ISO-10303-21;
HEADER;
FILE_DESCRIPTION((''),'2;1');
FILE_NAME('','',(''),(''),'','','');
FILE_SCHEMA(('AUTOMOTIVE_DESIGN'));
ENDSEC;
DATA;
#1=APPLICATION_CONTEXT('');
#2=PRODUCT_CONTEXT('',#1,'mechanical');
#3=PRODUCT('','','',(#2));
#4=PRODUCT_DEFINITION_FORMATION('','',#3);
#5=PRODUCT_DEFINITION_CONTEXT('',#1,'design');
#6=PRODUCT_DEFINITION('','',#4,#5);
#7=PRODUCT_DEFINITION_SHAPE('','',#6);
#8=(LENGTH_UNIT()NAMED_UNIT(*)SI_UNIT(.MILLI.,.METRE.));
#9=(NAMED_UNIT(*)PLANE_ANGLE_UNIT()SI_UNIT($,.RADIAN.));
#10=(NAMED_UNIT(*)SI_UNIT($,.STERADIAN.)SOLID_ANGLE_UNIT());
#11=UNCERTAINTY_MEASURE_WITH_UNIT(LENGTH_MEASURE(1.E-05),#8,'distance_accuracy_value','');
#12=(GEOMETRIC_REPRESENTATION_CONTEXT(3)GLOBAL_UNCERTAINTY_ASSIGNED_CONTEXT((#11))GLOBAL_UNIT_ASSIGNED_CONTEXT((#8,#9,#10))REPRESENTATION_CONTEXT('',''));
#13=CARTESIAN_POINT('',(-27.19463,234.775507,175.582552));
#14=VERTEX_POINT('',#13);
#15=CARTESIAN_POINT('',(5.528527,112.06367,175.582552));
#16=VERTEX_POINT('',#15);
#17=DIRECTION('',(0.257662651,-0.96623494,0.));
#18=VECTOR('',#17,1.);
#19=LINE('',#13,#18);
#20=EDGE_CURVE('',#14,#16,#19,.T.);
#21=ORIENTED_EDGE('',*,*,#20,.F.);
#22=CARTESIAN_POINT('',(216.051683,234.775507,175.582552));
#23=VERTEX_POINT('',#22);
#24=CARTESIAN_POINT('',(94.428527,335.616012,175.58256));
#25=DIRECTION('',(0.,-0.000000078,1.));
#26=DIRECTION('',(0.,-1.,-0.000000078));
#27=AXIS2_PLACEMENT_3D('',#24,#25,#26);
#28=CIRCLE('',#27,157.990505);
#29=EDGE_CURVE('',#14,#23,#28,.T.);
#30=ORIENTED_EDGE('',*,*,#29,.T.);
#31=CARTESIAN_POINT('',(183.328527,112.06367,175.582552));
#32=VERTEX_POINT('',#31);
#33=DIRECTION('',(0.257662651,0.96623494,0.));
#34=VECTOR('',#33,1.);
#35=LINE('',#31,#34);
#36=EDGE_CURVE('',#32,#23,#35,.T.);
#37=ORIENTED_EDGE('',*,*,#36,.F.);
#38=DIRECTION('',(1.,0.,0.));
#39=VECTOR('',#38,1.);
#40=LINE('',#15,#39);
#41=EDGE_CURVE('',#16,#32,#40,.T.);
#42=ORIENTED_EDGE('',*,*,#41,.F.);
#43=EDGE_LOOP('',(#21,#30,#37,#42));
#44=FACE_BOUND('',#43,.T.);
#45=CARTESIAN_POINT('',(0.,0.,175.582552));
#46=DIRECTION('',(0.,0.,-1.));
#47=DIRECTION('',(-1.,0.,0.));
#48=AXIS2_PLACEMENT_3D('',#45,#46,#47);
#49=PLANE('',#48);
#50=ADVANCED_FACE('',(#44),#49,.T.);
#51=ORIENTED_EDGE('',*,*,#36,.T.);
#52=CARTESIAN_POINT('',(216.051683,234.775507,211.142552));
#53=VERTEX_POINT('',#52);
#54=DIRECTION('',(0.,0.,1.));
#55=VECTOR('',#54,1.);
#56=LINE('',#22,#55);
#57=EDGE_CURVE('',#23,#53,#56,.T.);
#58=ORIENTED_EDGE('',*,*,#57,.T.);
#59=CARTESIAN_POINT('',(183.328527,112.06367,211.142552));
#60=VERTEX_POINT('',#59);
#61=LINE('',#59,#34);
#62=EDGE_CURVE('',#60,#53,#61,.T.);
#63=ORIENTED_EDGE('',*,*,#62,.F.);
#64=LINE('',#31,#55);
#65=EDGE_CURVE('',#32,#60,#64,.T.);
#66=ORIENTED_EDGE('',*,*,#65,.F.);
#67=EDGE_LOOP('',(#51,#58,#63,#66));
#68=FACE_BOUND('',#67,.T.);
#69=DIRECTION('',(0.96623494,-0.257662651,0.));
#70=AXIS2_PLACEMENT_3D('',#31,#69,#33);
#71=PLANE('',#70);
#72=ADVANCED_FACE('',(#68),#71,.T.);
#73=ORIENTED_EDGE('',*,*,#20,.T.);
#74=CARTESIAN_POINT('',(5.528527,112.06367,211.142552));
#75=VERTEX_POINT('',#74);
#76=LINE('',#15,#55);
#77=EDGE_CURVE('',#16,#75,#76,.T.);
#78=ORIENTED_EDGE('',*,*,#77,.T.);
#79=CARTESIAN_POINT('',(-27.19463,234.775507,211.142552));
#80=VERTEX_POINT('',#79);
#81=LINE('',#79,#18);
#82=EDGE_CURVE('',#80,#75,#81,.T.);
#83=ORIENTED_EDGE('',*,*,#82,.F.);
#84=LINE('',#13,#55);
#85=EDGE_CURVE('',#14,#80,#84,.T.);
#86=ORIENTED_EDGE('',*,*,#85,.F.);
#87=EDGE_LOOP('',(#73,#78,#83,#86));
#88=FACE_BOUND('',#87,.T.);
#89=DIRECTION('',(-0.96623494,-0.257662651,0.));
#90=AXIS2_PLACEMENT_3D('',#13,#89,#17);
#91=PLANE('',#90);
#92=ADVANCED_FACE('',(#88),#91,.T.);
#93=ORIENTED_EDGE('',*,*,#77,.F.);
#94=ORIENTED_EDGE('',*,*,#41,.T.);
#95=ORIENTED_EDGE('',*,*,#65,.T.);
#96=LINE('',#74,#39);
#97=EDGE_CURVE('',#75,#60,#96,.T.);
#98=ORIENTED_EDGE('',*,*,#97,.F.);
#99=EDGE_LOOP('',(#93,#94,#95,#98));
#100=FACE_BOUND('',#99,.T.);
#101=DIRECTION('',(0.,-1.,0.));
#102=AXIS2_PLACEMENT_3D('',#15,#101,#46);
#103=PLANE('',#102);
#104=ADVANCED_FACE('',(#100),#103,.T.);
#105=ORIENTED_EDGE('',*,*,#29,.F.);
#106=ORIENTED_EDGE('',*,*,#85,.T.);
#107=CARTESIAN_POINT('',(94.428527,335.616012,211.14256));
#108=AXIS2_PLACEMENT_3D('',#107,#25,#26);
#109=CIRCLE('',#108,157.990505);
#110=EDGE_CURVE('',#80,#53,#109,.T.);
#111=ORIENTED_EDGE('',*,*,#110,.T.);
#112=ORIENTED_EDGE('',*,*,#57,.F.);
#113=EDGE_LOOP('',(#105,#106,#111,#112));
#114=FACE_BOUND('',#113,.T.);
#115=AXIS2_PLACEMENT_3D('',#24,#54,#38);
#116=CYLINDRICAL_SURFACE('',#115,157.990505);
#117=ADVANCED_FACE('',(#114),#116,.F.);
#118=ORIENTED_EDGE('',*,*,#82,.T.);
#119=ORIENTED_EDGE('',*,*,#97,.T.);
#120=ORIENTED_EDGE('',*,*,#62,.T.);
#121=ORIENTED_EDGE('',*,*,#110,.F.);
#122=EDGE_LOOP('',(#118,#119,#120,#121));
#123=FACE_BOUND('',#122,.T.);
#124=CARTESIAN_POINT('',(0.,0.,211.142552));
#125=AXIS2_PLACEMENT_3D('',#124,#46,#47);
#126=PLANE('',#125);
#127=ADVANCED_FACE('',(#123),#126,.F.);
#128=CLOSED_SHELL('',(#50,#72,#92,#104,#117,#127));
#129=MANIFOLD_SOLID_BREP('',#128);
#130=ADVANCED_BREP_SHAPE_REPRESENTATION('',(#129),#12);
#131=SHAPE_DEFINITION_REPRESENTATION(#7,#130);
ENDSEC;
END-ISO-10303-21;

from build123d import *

# Parameters (mm, degrees)
BOSS_EXTRUDE1_DEPTH = 35.56


with BuildPart() as part:
    # 3DSketch2 → Boss-Extrude1 (new body)
    with BuildSketch(Plane(origin=(-27.19462984, 234.775507087, 175.582551715), x_dir=(0.8639455645313932, -0.503585207811481, 0), z_dir=(-2.6823604854784482e-08, -4.601829855119399e-08, 0.9999999999999986))):
        with BuildLine():
            Line((0, 0), (90.066892123, -89.537449949))
            Line((90.066892123, -89.537449949), (243.676413496, 0))
            Line((243.676413496, 0), (210.151573414, 122.495245204))
            ThreePointArc((210.151573414, 122.495245204), (133.855681334, 11.873133589), (0, 0))
        make_face()
    extrude(amount=BOSS_EXTRUDE1_DEPTH)


solid = part.part
